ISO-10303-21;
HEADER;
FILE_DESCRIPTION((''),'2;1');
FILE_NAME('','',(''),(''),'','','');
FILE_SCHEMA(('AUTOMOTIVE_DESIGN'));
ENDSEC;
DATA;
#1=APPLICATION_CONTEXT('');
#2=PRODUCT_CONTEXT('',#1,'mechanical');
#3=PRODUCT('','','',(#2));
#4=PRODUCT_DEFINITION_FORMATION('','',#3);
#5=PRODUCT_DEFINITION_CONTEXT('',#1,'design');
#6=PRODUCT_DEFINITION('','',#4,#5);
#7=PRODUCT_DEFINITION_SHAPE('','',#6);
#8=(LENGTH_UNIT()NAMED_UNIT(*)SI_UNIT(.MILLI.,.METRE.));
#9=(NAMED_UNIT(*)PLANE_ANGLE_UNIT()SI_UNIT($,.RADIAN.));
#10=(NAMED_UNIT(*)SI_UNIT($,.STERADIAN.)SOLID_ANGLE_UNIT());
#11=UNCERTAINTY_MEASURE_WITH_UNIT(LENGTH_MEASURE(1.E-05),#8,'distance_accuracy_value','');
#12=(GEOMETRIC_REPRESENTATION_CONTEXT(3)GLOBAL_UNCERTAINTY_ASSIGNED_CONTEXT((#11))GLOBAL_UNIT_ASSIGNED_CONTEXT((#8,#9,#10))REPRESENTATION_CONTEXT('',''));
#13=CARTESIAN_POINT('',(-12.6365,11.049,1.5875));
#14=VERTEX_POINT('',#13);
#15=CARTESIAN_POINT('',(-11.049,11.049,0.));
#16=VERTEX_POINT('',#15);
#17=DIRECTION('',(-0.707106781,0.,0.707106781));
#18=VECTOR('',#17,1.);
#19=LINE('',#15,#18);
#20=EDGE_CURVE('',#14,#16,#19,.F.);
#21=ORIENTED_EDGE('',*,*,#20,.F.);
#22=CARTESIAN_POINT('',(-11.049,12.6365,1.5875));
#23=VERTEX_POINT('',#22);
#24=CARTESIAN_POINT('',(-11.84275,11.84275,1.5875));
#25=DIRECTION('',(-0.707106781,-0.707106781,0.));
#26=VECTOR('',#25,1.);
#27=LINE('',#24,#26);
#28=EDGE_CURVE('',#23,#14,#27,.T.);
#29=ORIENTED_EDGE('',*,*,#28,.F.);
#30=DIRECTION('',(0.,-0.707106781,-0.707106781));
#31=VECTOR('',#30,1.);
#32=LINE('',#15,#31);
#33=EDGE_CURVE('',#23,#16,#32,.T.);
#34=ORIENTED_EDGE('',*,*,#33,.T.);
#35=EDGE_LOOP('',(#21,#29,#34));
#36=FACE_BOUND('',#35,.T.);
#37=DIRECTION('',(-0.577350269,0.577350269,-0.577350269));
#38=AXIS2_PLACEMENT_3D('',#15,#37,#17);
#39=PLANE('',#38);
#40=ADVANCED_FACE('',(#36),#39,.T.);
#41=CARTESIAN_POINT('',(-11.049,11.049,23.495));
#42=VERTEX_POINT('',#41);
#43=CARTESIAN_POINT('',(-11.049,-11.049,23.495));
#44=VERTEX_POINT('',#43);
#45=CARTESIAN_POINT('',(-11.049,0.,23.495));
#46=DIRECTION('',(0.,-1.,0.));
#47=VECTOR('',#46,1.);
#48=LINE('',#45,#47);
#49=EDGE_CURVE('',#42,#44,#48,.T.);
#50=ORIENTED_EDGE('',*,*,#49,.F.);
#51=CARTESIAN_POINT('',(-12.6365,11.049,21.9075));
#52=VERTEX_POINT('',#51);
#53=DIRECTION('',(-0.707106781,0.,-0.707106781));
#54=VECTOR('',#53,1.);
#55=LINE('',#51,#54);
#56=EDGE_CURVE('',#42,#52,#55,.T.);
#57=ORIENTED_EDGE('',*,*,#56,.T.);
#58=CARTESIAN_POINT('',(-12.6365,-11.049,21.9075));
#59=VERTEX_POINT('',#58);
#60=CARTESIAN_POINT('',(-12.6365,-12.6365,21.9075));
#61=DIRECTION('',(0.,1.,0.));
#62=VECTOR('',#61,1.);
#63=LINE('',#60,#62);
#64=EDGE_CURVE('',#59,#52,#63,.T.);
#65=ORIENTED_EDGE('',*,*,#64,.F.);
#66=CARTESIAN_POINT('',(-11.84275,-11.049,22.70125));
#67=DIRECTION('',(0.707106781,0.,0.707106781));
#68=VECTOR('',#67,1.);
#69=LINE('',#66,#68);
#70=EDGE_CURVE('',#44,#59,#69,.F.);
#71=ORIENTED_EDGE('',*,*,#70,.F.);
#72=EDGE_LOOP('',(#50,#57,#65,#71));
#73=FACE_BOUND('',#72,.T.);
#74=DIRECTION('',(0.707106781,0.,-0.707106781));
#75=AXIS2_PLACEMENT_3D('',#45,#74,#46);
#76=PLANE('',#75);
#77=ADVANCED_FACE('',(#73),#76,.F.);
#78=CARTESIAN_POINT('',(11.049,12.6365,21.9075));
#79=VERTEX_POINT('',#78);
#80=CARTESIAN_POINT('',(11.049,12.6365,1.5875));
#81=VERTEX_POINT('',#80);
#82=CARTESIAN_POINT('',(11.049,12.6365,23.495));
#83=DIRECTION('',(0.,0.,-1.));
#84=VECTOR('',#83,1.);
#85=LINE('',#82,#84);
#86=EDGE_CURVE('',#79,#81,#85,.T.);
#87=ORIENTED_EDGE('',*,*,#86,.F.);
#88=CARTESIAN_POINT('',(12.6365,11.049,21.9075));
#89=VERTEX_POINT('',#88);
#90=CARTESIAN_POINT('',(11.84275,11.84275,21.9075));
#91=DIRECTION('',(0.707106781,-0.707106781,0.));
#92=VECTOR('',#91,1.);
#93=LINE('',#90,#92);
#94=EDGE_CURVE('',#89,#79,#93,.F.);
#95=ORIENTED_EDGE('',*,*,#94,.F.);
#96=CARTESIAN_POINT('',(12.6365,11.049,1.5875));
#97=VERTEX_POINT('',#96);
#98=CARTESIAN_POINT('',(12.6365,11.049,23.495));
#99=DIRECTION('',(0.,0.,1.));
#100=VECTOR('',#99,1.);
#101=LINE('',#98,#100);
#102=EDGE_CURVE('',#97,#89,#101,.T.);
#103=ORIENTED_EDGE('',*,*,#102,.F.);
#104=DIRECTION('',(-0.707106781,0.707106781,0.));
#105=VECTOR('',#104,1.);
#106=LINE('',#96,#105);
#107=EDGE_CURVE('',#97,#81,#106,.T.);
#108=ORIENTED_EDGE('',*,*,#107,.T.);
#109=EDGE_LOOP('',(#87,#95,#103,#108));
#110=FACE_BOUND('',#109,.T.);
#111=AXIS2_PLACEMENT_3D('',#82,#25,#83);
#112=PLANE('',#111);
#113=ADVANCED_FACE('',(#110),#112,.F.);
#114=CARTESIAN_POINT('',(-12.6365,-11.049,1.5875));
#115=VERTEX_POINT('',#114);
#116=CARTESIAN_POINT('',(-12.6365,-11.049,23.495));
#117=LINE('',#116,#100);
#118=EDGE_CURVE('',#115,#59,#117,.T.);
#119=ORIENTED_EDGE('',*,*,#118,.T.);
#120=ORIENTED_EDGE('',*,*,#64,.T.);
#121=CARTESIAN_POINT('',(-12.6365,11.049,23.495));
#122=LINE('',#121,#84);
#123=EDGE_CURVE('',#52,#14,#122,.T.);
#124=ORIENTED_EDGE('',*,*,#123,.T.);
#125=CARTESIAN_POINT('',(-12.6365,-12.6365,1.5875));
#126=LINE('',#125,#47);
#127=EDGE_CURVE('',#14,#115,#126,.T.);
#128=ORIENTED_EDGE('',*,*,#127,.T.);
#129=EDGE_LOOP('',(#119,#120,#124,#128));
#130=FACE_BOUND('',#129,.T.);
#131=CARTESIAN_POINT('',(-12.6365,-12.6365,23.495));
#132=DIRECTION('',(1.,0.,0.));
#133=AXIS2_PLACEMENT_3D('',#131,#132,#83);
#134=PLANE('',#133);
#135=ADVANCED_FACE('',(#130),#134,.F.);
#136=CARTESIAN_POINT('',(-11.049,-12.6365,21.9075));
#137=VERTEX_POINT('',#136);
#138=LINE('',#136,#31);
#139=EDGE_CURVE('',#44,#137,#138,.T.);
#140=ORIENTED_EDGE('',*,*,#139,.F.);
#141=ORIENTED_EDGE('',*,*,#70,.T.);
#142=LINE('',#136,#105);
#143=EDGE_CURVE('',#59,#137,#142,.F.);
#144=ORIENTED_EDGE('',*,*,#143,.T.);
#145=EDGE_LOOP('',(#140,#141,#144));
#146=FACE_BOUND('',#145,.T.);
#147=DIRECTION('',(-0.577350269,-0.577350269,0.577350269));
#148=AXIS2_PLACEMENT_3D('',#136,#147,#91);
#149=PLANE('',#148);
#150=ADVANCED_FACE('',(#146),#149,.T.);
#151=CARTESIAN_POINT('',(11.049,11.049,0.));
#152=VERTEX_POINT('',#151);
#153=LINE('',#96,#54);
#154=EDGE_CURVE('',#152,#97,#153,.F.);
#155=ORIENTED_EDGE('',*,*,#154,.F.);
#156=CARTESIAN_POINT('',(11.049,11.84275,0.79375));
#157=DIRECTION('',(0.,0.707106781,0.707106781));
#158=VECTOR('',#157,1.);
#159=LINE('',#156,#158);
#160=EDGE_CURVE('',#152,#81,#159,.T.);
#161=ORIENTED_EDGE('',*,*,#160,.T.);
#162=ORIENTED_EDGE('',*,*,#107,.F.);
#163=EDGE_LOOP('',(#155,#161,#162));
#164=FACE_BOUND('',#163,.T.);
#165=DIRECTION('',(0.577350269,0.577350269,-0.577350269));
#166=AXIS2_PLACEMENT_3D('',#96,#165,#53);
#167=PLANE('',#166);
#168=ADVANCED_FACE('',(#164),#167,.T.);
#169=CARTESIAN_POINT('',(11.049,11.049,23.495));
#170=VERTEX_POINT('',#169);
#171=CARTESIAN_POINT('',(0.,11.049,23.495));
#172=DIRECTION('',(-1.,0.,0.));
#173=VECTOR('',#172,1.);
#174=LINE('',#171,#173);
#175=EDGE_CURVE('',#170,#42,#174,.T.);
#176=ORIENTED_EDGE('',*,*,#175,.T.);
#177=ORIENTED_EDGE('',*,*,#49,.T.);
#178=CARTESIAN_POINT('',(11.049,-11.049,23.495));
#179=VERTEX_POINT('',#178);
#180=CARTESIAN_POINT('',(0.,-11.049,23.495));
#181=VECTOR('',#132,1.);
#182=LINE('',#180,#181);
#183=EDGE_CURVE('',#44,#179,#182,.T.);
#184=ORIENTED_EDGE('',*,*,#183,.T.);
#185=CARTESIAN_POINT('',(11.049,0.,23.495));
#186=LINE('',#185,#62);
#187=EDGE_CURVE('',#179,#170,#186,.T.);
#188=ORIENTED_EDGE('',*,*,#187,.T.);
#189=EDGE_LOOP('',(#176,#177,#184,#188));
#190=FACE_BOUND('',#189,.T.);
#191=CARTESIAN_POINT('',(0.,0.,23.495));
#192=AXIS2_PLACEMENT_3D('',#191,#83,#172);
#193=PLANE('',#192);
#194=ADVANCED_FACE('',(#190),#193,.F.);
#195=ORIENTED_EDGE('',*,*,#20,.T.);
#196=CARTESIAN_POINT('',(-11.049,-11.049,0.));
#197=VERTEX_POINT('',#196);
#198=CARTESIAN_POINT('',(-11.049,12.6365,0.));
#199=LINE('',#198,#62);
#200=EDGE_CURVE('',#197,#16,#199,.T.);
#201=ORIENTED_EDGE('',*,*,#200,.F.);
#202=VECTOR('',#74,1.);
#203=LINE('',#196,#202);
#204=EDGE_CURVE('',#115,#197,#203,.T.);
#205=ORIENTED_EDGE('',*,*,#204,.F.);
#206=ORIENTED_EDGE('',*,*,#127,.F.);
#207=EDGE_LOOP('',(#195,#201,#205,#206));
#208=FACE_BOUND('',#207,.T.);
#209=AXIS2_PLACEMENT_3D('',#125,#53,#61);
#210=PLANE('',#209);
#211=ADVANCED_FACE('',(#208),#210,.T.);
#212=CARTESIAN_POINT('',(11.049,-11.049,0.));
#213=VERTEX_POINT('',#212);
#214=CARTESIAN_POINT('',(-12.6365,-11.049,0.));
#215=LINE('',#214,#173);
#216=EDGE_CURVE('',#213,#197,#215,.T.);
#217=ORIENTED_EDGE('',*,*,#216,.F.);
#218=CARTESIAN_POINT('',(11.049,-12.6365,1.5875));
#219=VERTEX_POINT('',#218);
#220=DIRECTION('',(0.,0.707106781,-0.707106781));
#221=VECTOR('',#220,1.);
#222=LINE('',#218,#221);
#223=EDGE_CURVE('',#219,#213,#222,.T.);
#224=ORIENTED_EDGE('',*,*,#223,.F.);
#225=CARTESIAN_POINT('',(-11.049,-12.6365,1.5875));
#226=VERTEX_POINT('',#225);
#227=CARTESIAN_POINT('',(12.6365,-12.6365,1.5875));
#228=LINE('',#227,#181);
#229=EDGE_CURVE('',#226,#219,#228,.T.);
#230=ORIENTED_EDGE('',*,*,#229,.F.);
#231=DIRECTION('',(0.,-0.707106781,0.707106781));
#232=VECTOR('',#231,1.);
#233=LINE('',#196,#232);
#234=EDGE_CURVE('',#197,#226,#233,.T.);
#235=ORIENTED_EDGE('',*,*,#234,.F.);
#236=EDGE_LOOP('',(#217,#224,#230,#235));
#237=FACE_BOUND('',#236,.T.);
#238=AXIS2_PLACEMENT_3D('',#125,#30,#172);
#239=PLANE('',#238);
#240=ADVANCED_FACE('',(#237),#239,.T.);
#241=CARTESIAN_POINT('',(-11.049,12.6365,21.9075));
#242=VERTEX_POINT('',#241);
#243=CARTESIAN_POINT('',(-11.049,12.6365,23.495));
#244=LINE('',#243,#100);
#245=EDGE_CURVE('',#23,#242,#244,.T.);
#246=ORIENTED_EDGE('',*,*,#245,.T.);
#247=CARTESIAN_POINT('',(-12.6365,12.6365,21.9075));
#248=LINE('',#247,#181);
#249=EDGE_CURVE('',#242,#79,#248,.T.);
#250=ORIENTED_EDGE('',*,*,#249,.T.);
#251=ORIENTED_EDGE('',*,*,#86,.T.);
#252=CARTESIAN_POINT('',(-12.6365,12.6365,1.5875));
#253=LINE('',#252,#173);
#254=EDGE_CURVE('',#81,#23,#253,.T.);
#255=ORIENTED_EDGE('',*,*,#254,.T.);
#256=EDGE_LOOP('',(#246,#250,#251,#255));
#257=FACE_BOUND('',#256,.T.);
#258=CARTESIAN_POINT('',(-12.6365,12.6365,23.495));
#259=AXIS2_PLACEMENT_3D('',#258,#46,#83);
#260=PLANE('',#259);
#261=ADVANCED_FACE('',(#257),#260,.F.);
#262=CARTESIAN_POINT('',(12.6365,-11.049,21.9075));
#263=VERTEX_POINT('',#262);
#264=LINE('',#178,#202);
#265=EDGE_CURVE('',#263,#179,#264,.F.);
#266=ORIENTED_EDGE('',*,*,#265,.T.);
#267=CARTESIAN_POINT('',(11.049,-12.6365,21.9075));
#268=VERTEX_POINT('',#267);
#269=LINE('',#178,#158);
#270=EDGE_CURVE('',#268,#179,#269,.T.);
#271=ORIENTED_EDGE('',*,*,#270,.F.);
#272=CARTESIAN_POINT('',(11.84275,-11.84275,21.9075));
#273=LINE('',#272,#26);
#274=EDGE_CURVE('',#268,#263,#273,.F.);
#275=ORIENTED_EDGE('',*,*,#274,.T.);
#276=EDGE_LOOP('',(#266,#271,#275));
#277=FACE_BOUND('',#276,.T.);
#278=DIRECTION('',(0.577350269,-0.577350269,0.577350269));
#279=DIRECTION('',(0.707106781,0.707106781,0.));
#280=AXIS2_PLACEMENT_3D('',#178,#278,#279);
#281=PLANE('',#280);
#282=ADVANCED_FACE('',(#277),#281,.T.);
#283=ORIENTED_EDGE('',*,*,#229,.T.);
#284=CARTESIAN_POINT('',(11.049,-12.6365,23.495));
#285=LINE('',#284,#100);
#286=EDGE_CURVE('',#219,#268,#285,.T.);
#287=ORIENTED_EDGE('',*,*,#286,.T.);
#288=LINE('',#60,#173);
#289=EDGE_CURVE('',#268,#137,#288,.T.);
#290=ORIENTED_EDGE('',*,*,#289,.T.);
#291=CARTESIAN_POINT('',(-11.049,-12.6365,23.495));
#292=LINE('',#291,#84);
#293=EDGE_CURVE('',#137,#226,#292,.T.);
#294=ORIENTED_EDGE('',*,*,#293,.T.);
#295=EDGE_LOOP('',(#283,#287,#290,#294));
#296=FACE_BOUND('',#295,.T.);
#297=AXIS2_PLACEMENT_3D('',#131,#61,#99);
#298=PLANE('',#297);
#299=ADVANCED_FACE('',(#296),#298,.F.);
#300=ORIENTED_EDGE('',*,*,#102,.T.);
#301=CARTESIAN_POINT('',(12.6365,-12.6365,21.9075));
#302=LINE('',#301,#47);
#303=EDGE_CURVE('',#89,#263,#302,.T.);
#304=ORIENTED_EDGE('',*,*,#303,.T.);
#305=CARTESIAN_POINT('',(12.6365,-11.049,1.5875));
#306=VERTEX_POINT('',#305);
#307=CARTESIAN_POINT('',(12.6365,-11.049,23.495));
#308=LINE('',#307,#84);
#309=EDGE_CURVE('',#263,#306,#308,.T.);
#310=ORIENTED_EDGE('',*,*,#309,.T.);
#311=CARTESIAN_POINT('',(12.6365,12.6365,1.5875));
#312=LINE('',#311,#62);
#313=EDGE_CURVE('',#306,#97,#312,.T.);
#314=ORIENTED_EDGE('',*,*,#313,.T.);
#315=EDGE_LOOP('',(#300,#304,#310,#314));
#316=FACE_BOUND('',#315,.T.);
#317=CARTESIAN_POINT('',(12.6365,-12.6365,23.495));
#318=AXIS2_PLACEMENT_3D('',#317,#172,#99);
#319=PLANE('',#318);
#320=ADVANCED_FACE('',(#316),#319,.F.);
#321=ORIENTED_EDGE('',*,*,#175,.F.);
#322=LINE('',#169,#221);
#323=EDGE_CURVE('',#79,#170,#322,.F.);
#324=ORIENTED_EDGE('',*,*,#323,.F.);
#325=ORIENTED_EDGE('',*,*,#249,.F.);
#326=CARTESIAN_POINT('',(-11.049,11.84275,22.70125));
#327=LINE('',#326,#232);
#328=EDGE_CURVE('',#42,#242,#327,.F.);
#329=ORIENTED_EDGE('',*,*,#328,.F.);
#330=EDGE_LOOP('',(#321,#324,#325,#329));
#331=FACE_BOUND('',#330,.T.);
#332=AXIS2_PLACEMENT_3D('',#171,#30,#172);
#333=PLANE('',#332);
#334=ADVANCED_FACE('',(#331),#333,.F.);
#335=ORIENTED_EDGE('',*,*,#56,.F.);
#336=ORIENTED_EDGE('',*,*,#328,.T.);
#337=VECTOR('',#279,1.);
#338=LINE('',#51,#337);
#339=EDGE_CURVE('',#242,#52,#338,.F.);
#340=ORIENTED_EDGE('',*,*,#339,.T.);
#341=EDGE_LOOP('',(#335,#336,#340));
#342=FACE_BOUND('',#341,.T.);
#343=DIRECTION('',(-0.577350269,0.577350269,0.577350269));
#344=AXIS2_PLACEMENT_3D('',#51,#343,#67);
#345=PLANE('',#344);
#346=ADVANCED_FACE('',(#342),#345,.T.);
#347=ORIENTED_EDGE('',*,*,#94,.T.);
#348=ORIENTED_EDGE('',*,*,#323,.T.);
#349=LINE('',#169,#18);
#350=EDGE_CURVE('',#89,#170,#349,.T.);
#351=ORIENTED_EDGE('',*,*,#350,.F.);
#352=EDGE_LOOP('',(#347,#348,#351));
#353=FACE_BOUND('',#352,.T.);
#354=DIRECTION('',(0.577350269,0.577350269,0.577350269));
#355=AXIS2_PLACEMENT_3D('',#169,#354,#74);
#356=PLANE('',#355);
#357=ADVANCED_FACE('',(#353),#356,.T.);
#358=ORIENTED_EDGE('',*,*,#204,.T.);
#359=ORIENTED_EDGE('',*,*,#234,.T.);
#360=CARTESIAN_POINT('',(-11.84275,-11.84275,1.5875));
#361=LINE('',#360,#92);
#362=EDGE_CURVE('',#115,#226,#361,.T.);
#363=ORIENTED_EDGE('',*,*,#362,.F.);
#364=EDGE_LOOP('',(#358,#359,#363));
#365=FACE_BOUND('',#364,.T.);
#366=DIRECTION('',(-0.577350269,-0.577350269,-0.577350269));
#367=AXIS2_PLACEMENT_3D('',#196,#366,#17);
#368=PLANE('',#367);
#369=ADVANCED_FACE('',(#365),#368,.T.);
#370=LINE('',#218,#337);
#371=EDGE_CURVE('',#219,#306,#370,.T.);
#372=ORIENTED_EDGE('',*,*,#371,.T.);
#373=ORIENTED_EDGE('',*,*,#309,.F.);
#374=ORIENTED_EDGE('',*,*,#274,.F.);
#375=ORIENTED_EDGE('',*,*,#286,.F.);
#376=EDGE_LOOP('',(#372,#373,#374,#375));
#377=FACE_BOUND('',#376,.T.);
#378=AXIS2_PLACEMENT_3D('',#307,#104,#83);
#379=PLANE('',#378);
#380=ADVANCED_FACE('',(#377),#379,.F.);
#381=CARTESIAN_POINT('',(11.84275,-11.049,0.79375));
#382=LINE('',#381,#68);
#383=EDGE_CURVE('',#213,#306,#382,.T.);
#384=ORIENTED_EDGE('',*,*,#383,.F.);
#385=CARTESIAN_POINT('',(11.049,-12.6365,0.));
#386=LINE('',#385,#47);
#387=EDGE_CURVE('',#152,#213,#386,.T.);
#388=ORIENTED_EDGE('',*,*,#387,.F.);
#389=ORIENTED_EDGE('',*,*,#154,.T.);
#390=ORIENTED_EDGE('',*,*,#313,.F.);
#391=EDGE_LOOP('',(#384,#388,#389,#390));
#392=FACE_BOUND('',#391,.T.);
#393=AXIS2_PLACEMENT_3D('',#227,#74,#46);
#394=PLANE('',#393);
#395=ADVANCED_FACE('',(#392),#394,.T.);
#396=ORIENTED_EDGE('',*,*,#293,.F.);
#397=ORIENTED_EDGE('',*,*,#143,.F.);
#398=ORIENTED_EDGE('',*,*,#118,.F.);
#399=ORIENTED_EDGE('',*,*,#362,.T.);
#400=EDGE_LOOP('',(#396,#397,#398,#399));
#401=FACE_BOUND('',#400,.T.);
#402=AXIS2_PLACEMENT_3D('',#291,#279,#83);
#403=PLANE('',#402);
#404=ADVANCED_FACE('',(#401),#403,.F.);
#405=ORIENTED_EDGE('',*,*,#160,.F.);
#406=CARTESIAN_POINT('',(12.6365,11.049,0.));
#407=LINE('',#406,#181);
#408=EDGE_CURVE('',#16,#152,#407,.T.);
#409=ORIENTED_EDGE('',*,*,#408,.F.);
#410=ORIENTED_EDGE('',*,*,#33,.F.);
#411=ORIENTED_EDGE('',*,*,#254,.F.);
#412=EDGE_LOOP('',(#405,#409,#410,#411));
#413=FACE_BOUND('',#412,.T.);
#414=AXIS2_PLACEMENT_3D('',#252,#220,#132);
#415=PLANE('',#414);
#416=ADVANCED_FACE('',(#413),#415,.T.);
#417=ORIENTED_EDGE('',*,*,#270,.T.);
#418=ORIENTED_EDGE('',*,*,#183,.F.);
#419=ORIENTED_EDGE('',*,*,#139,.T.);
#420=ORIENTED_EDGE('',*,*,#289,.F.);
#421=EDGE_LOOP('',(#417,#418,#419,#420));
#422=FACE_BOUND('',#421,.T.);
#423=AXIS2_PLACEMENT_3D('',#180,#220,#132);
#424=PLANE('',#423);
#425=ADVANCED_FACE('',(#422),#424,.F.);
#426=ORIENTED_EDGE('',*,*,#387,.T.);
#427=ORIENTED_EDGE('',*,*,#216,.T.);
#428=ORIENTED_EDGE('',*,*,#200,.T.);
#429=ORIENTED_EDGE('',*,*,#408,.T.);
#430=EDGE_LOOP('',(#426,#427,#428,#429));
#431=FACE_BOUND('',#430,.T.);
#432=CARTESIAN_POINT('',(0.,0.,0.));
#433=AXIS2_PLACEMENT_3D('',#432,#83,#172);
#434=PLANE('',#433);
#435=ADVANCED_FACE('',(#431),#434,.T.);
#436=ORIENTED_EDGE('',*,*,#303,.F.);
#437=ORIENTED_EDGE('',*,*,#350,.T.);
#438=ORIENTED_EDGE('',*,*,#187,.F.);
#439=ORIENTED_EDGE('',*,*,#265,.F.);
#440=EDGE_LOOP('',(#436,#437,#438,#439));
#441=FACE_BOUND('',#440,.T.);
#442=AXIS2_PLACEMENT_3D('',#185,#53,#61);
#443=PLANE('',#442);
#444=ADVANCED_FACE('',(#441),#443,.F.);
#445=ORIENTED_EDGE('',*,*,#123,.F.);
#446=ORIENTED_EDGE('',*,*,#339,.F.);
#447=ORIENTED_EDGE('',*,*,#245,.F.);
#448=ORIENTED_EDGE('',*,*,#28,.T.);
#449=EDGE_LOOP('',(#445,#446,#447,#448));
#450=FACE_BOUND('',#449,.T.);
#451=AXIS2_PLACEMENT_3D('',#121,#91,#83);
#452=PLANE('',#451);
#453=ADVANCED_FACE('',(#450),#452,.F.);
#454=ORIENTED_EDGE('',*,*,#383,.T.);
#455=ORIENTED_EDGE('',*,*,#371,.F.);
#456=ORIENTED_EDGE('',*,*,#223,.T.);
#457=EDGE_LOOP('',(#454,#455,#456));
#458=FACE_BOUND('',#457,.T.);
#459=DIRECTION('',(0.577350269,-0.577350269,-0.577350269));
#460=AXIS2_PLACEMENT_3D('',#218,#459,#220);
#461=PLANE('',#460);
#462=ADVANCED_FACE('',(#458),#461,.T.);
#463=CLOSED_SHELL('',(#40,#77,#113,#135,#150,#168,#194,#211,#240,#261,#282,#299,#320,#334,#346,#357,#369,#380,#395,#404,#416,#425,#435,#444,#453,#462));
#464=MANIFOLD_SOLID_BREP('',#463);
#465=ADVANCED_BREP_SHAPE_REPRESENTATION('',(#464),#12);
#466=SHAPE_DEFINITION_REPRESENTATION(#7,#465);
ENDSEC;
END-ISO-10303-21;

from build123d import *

# Parameters (mm, degrees)
SKETCH1_W           = 25.273
SKETCH1_H           = 25.273
BOSS_EXTRUDE1_DEPTH = 23.495
CHAMFER2_SIZE       = 1.5875


with BuildPart() as part:
    # Sketch1 → Boss-Extrude1 (new body)
    with BuildSketch(Plane.XY):
        Rectangle(SKETCH1_W, SKETCH1_H)
    extrude(amount=BOSS_EXTRUDE1_DEPTH)

    # Chamfer2
    chamfer2_edges = [part.edges().sort_by_distance(p)[0] for p in [
        (-12.6365, 0, 23.495),
        (0, -12.6365, 23.495),
        (12.6365, 0, 23.495),
        (0, -12.6365, 0),
        (-12.6365, 0, 0),
        (0, 12.6365, 0),
        (12.6365, 0, 0),
        (0, 12.6365, 23.495),
        (12.6365, -12.6365, 11.7475),
        (-12.6365, -12.6365, 11.7475),
        (-12.6365, 12.6365, 11.7475),
        (12.6365, 12.6365, 11.7475),
    ]]
    chamfer(chamfer2_edges, length=CHAMFER2_SIZE)


solid = part.part
